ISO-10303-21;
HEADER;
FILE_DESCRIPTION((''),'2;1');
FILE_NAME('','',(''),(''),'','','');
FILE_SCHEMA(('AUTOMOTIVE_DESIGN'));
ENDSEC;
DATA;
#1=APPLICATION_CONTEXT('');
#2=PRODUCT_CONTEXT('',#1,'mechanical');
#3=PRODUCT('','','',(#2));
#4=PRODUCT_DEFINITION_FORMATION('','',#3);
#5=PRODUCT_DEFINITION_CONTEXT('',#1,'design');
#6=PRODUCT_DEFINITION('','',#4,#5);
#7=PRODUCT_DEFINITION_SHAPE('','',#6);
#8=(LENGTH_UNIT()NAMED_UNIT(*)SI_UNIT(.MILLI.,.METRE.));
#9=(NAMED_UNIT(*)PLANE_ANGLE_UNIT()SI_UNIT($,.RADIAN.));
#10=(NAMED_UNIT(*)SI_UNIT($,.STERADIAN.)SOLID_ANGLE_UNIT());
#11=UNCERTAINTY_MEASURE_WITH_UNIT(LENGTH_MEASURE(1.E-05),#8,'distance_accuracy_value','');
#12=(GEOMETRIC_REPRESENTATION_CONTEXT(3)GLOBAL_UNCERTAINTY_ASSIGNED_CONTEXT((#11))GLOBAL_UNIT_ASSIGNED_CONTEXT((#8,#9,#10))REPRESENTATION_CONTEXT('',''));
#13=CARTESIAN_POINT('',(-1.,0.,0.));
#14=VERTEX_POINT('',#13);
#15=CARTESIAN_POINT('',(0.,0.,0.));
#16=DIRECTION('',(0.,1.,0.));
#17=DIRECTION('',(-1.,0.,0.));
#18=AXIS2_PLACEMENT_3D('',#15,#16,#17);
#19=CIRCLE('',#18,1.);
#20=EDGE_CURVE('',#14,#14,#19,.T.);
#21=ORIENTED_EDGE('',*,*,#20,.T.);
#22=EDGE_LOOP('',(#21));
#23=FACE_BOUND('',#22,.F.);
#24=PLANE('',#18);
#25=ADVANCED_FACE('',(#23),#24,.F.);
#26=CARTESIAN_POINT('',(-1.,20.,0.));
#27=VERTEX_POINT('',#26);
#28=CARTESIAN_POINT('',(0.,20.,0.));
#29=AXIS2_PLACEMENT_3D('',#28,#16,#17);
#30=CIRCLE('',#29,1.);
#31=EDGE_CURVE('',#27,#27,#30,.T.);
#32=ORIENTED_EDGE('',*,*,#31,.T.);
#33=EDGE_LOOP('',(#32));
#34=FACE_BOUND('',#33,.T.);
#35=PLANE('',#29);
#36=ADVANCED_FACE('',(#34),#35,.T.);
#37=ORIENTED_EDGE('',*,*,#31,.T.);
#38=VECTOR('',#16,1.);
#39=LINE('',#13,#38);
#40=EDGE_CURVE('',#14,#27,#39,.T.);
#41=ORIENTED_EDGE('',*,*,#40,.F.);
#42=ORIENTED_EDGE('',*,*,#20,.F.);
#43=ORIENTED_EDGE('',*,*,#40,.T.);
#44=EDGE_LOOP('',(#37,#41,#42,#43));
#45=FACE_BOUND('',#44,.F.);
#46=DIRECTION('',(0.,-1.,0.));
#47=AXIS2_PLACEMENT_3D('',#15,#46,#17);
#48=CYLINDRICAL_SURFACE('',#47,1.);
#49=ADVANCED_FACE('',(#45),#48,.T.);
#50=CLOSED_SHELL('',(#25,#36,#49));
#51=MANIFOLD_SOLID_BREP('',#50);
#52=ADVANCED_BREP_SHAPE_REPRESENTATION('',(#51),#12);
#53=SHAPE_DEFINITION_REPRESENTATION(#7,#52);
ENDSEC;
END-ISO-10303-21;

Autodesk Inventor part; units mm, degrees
ref_plane "YZ Plane" through (0, 0, 0) normal (1, 0, 0) x (0, 1, 0)
ref_plane "XZ Plane" through (0, 0, 0) normal (0, 1, 0) x (-1, 0, 0)
ref_plane "XY Plane" through (0, 0, 0) normal (0, 0, 1) x (1, 0, 0)
sketch "Sketch1" plane through (0, 0, 0) normal (0, 1, 0) x (-1, 0, 0)
  circle A0 centre (0, 0) radius 1
  dimension "d0" = 2
extrude "Extrusion1" add sketch "Sketch1" along normal blind 20
properties part number "PORT"
